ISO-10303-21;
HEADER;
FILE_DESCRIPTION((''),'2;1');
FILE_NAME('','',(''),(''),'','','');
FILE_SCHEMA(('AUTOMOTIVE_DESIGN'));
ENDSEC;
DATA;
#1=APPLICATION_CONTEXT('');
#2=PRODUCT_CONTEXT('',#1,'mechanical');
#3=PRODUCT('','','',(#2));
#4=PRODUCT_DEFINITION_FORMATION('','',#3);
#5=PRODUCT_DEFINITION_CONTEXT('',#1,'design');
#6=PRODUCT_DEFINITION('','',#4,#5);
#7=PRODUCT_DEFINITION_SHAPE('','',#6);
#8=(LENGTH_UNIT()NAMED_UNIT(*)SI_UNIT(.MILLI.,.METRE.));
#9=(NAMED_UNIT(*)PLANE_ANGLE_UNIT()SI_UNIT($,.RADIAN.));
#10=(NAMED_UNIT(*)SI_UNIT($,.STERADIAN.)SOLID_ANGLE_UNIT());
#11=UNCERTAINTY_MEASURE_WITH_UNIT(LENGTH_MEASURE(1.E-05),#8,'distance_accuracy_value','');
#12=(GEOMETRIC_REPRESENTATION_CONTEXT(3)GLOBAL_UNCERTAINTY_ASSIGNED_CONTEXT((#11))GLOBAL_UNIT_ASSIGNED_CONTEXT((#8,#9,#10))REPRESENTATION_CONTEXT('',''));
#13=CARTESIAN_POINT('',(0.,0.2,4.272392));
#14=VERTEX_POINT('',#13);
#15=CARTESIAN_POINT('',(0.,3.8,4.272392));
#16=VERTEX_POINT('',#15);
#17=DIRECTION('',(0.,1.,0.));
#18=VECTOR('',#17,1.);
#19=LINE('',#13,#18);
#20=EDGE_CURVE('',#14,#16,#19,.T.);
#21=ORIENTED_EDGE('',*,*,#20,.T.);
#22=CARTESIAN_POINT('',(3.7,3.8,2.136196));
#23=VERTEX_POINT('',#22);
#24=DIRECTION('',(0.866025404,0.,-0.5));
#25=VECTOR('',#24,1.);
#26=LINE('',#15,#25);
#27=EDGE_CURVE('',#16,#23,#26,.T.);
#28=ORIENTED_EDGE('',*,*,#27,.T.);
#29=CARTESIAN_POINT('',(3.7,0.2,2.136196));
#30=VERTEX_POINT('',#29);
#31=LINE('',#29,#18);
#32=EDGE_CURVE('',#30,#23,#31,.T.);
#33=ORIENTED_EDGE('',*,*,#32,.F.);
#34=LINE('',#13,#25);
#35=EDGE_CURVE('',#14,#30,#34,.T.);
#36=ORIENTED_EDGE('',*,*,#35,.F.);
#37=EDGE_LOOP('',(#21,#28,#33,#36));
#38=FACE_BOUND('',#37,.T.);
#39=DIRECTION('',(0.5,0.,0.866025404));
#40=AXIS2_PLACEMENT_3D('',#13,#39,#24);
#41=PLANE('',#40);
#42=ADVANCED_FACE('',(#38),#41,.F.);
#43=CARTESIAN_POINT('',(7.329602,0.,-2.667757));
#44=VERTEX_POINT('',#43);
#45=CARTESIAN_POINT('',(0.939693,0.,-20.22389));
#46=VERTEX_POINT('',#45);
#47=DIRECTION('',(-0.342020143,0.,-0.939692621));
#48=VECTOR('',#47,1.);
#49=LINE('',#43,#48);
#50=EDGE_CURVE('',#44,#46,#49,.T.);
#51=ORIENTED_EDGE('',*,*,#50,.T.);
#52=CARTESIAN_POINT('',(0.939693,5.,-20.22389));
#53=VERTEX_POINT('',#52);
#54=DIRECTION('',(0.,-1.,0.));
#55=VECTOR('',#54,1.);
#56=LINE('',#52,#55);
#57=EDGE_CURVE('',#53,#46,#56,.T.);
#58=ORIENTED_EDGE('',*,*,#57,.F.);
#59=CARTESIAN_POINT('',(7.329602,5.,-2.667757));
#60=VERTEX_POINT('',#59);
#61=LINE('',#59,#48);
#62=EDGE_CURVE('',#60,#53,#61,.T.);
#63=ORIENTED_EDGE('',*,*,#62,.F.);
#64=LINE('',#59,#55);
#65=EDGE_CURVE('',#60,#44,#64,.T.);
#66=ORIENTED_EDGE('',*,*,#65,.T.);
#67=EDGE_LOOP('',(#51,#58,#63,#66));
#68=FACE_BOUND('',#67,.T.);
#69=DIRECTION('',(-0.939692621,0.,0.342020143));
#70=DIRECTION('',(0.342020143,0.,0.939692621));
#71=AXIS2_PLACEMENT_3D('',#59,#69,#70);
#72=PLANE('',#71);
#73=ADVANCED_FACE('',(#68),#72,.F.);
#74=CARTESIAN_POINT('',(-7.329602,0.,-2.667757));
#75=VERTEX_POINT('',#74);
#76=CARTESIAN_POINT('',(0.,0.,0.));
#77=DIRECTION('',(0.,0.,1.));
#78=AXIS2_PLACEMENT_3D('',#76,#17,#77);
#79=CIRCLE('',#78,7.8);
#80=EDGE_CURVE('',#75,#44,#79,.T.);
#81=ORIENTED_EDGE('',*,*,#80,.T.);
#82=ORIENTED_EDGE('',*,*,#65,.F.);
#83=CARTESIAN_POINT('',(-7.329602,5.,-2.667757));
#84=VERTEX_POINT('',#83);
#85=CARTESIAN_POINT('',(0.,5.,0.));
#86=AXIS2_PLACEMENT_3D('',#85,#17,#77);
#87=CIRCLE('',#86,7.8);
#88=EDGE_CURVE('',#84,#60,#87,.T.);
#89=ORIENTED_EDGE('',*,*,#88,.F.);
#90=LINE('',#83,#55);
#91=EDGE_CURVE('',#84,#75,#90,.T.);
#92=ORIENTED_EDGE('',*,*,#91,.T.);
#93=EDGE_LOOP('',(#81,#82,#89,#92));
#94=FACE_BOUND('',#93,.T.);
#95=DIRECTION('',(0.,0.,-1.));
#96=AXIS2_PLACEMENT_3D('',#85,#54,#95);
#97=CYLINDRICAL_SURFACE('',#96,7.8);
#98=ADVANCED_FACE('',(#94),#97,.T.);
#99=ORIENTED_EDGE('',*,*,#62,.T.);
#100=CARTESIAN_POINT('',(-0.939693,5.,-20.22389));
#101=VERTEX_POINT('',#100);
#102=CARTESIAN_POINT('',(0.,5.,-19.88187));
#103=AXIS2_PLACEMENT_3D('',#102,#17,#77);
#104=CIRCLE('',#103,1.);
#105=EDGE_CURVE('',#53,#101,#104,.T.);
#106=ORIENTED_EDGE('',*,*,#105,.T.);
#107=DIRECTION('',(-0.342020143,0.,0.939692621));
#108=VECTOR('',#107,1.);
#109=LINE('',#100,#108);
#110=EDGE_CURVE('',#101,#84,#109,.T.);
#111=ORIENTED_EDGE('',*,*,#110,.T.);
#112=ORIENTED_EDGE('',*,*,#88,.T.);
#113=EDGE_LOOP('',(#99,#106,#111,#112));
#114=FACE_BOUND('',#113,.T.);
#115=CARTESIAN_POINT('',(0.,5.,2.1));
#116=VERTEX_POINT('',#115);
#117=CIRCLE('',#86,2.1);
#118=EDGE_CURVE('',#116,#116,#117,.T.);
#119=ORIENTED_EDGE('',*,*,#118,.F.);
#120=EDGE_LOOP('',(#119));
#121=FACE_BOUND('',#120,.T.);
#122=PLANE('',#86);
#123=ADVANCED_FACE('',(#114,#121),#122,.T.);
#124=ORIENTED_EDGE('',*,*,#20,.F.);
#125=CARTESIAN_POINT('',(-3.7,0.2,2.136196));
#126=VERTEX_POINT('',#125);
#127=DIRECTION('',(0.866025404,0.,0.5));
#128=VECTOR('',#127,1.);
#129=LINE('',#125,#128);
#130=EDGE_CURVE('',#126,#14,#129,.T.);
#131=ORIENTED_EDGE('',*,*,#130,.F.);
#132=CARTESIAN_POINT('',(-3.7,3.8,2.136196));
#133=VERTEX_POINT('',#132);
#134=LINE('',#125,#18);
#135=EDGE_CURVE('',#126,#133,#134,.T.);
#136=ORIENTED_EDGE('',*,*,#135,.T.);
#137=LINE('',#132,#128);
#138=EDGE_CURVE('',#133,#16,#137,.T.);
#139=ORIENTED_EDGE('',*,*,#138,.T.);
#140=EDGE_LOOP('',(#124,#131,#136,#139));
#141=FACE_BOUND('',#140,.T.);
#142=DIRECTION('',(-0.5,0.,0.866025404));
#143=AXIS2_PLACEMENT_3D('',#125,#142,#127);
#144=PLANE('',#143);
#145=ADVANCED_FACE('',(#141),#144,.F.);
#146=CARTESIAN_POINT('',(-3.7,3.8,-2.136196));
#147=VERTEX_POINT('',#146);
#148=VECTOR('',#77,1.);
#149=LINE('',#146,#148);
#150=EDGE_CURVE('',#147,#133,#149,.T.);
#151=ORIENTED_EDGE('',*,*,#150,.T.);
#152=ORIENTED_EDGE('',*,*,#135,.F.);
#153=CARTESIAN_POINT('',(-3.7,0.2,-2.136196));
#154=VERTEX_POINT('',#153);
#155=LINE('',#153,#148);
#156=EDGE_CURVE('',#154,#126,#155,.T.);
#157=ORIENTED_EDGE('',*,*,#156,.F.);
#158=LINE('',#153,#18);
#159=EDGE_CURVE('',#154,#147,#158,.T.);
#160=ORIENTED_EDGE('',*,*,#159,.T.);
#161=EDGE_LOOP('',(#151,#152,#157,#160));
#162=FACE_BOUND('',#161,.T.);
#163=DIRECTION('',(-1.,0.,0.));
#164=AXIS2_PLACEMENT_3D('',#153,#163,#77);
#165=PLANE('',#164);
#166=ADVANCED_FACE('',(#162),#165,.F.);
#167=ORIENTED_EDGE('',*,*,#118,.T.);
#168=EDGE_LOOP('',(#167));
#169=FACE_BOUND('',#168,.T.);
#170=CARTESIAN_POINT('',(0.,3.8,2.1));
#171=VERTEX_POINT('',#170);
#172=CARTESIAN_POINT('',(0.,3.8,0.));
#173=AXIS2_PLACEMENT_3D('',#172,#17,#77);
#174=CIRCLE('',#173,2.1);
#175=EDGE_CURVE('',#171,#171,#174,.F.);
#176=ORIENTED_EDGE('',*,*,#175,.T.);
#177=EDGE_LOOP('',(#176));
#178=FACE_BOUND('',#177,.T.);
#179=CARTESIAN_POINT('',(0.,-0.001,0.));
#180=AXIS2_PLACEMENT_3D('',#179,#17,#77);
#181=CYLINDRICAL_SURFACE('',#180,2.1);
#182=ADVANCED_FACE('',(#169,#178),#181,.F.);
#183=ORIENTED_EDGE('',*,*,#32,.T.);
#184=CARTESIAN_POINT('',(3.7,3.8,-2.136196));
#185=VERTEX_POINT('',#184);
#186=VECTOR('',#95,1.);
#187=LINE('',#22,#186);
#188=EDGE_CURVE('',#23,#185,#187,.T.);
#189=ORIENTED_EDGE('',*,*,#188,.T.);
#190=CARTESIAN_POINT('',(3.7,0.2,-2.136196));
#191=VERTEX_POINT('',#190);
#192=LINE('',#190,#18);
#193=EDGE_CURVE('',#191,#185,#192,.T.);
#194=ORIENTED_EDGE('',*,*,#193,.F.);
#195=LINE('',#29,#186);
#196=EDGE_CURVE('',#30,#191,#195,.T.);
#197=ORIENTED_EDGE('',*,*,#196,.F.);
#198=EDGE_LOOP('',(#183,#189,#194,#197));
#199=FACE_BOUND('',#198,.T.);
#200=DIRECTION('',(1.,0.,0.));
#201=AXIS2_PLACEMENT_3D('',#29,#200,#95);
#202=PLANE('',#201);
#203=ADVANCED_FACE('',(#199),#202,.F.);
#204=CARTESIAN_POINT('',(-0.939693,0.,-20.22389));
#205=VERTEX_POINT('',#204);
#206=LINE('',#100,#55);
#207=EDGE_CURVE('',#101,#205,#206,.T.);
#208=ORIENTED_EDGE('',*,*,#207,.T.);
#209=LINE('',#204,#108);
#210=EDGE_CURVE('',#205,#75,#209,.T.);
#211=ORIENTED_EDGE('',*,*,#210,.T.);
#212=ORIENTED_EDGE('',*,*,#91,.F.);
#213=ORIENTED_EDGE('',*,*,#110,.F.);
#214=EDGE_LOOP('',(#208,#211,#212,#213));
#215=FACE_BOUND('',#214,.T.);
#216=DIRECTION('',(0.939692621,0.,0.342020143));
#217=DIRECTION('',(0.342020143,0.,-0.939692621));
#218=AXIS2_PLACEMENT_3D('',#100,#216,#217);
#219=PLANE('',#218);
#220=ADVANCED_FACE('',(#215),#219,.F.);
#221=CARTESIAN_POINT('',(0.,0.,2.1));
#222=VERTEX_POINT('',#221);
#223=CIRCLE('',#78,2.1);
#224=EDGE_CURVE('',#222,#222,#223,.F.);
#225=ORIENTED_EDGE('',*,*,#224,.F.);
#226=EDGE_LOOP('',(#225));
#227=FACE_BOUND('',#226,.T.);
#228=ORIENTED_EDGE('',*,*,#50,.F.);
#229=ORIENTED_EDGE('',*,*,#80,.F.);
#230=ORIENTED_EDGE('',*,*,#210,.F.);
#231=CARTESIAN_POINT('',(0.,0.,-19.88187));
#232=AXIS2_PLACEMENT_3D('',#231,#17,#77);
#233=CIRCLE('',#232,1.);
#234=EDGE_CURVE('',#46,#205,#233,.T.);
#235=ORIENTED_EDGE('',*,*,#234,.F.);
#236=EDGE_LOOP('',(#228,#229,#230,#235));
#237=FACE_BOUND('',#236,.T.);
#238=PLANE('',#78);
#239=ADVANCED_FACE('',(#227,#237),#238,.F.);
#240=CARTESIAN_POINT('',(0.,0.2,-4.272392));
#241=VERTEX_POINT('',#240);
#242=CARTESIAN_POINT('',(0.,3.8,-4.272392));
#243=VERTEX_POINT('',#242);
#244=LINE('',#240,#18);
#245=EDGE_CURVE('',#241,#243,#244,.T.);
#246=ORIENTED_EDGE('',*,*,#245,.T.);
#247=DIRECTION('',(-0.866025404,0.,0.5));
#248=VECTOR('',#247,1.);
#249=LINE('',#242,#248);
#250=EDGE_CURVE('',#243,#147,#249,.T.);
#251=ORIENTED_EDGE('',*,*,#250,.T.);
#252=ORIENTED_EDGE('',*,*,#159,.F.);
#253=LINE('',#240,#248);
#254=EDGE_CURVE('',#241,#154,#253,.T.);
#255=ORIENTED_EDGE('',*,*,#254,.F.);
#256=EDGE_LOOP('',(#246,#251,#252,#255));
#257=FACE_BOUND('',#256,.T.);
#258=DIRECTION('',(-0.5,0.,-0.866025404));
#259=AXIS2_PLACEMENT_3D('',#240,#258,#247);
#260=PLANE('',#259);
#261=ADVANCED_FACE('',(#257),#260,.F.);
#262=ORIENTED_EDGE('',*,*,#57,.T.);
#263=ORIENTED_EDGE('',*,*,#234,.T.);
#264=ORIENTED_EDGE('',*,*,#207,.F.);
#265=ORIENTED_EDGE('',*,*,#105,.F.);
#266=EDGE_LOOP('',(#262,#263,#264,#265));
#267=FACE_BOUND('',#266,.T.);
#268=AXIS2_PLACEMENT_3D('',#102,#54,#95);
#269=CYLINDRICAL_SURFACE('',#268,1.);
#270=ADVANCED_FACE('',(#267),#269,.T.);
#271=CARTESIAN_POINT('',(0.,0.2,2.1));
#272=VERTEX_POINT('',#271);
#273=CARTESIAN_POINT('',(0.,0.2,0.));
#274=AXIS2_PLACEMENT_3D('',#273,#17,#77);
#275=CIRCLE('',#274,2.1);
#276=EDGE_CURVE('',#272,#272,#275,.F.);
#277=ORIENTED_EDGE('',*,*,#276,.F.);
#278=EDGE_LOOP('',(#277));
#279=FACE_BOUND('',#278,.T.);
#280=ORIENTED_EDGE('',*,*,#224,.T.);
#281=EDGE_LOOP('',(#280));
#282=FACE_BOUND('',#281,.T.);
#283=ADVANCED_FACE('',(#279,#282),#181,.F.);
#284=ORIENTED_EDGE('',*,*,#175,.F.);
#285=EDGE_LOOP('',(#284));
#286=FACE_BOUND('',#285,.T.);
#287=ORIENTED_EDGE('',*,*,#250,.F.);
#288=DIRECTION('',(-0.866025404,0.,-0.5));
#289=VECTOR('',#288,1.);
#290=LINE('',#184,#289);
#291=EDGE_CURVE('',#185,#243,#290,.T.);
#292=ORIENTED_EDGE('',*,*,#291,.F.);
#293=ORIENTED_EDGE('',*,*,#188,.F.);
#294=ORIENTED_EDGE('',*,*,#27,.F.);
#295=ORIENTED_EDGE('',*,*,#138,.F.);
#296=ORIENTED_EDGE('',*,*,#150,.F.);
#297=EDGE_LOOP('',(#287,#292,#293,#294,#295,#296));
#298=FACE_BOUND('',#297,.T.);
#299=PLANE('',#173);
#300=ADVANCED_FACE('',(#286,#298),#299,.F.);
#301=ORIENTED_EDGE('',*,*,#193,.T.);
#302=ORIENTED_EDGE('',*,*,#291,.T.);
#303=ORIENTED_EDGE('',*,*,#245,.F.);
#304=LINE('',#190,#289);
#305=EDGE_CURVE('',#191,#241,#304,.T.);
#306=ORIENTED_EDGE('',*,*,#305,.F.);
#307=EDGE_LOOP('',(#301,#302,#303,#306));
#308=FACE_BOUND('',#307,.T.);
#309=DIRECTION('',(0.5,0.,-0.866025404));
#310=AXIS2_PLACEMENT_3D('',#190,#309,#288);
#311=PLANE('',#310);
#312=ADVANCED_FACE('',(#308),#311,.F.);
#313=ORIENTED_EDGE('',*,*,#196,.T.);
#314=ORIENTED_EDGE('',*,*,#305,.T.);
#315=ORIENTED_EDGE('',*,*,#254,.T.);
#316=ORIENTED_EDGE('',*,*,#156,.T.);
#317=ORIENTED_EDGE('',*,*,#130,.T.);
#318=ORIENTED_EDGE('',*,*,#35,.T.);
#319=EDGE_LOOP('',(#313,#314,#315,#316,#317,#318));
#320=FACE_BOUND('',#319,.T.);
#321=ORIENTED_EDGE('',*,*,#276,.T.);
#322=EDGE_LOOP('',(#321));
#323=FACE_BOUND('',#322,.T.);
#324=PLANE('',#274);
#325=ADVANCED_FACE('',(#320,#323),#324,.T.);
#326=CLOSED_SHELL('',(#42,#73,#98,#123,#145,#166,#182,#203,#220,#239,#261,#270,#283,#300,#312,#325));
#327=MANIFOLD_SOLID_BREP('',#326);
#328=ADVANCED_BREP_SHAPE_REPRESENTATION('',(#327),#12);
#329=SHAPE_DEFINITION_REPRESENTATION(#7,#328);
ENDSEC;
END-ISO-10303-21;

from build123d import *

# Parameters (mm, degrees)
BOSS_EXTRUDE2_DEPTH = 5
CUT_EXTRUDE1_REACH  = 24.845
SKETCH3_R           = 2.1
CUT_EXTRUDE2_START  = -1.2
CUT_EXTRUDE2_DEPTH  = 3.6


with BuildPart() as part:
    # Sketch1 → Boss-Extrude2 (new body)
    with BuildSketch(Plane(origin=(0, 0, 0), x_dir=(1, 0, 0), z_dir=(0, 1, 0))):
        with BuildLine():
            Line((-0.939692556, 20.223890242), (-7.329602442, 2.667757118))
            ThreePointArc((-7.329602442, 2.667757118), (0, -7.8), (7.329602442, 2.667757118))
            Line((7.329602442, 2.667757118), (0.939692556, 20.223890242))
            ThreePointArc((0.939692556, 20.223890242), (0, 20.881870053), (-0.939692556, 20.223890242))
        make_face()
    extrude(amount=BOSS_EXTRUDE2_DEPTH)

    # Sketch3 → Cut-Extrude1 (cut, up to next)
    with BuildSketch(Plane(origin=(0, 5, 0), x_dir=(1, 0, 0), z_dir=(0, 1, 0)), mode=Mode.PRIVATE) as cut_extrude1_sk1:
        with Locations(Location((0, 0, 0), (0, 0, 270))):
            Circle(SKETCH3_R)
    cut_extrude1_tool1 = extrude(cut_extrude1_sk1.sketch, amount=-CUT_EXTRUDE1_REACH, mode=Mode.PRIVATE) & part.part
    add(cut_extrude1_tool1.solids().sort_by_distance((0, 5, 0))[0], mode=Mode.SUBTRACT)

    # Sketch4 → Cut-Extrude2 (cut)
    with BuildSketch(Plane(origin=(0, 5, 0), x_dir=(1, 0, 0), z_dir=(0, 1, 0)).offset(CUT_EXTRUDE2_START)):
        Polygon((0, 4.272391992), (-3.7, 2.136195996), (-3.7, -2.136195996), (0, -4.272391992), (3.7, -2.136195996), (3.7, 2.136195996), align=None)
    extrude(amount=-CUT_EXTRUDE2_DEPTH, mode=Mode.SUBTRACT)


solid = part.part
